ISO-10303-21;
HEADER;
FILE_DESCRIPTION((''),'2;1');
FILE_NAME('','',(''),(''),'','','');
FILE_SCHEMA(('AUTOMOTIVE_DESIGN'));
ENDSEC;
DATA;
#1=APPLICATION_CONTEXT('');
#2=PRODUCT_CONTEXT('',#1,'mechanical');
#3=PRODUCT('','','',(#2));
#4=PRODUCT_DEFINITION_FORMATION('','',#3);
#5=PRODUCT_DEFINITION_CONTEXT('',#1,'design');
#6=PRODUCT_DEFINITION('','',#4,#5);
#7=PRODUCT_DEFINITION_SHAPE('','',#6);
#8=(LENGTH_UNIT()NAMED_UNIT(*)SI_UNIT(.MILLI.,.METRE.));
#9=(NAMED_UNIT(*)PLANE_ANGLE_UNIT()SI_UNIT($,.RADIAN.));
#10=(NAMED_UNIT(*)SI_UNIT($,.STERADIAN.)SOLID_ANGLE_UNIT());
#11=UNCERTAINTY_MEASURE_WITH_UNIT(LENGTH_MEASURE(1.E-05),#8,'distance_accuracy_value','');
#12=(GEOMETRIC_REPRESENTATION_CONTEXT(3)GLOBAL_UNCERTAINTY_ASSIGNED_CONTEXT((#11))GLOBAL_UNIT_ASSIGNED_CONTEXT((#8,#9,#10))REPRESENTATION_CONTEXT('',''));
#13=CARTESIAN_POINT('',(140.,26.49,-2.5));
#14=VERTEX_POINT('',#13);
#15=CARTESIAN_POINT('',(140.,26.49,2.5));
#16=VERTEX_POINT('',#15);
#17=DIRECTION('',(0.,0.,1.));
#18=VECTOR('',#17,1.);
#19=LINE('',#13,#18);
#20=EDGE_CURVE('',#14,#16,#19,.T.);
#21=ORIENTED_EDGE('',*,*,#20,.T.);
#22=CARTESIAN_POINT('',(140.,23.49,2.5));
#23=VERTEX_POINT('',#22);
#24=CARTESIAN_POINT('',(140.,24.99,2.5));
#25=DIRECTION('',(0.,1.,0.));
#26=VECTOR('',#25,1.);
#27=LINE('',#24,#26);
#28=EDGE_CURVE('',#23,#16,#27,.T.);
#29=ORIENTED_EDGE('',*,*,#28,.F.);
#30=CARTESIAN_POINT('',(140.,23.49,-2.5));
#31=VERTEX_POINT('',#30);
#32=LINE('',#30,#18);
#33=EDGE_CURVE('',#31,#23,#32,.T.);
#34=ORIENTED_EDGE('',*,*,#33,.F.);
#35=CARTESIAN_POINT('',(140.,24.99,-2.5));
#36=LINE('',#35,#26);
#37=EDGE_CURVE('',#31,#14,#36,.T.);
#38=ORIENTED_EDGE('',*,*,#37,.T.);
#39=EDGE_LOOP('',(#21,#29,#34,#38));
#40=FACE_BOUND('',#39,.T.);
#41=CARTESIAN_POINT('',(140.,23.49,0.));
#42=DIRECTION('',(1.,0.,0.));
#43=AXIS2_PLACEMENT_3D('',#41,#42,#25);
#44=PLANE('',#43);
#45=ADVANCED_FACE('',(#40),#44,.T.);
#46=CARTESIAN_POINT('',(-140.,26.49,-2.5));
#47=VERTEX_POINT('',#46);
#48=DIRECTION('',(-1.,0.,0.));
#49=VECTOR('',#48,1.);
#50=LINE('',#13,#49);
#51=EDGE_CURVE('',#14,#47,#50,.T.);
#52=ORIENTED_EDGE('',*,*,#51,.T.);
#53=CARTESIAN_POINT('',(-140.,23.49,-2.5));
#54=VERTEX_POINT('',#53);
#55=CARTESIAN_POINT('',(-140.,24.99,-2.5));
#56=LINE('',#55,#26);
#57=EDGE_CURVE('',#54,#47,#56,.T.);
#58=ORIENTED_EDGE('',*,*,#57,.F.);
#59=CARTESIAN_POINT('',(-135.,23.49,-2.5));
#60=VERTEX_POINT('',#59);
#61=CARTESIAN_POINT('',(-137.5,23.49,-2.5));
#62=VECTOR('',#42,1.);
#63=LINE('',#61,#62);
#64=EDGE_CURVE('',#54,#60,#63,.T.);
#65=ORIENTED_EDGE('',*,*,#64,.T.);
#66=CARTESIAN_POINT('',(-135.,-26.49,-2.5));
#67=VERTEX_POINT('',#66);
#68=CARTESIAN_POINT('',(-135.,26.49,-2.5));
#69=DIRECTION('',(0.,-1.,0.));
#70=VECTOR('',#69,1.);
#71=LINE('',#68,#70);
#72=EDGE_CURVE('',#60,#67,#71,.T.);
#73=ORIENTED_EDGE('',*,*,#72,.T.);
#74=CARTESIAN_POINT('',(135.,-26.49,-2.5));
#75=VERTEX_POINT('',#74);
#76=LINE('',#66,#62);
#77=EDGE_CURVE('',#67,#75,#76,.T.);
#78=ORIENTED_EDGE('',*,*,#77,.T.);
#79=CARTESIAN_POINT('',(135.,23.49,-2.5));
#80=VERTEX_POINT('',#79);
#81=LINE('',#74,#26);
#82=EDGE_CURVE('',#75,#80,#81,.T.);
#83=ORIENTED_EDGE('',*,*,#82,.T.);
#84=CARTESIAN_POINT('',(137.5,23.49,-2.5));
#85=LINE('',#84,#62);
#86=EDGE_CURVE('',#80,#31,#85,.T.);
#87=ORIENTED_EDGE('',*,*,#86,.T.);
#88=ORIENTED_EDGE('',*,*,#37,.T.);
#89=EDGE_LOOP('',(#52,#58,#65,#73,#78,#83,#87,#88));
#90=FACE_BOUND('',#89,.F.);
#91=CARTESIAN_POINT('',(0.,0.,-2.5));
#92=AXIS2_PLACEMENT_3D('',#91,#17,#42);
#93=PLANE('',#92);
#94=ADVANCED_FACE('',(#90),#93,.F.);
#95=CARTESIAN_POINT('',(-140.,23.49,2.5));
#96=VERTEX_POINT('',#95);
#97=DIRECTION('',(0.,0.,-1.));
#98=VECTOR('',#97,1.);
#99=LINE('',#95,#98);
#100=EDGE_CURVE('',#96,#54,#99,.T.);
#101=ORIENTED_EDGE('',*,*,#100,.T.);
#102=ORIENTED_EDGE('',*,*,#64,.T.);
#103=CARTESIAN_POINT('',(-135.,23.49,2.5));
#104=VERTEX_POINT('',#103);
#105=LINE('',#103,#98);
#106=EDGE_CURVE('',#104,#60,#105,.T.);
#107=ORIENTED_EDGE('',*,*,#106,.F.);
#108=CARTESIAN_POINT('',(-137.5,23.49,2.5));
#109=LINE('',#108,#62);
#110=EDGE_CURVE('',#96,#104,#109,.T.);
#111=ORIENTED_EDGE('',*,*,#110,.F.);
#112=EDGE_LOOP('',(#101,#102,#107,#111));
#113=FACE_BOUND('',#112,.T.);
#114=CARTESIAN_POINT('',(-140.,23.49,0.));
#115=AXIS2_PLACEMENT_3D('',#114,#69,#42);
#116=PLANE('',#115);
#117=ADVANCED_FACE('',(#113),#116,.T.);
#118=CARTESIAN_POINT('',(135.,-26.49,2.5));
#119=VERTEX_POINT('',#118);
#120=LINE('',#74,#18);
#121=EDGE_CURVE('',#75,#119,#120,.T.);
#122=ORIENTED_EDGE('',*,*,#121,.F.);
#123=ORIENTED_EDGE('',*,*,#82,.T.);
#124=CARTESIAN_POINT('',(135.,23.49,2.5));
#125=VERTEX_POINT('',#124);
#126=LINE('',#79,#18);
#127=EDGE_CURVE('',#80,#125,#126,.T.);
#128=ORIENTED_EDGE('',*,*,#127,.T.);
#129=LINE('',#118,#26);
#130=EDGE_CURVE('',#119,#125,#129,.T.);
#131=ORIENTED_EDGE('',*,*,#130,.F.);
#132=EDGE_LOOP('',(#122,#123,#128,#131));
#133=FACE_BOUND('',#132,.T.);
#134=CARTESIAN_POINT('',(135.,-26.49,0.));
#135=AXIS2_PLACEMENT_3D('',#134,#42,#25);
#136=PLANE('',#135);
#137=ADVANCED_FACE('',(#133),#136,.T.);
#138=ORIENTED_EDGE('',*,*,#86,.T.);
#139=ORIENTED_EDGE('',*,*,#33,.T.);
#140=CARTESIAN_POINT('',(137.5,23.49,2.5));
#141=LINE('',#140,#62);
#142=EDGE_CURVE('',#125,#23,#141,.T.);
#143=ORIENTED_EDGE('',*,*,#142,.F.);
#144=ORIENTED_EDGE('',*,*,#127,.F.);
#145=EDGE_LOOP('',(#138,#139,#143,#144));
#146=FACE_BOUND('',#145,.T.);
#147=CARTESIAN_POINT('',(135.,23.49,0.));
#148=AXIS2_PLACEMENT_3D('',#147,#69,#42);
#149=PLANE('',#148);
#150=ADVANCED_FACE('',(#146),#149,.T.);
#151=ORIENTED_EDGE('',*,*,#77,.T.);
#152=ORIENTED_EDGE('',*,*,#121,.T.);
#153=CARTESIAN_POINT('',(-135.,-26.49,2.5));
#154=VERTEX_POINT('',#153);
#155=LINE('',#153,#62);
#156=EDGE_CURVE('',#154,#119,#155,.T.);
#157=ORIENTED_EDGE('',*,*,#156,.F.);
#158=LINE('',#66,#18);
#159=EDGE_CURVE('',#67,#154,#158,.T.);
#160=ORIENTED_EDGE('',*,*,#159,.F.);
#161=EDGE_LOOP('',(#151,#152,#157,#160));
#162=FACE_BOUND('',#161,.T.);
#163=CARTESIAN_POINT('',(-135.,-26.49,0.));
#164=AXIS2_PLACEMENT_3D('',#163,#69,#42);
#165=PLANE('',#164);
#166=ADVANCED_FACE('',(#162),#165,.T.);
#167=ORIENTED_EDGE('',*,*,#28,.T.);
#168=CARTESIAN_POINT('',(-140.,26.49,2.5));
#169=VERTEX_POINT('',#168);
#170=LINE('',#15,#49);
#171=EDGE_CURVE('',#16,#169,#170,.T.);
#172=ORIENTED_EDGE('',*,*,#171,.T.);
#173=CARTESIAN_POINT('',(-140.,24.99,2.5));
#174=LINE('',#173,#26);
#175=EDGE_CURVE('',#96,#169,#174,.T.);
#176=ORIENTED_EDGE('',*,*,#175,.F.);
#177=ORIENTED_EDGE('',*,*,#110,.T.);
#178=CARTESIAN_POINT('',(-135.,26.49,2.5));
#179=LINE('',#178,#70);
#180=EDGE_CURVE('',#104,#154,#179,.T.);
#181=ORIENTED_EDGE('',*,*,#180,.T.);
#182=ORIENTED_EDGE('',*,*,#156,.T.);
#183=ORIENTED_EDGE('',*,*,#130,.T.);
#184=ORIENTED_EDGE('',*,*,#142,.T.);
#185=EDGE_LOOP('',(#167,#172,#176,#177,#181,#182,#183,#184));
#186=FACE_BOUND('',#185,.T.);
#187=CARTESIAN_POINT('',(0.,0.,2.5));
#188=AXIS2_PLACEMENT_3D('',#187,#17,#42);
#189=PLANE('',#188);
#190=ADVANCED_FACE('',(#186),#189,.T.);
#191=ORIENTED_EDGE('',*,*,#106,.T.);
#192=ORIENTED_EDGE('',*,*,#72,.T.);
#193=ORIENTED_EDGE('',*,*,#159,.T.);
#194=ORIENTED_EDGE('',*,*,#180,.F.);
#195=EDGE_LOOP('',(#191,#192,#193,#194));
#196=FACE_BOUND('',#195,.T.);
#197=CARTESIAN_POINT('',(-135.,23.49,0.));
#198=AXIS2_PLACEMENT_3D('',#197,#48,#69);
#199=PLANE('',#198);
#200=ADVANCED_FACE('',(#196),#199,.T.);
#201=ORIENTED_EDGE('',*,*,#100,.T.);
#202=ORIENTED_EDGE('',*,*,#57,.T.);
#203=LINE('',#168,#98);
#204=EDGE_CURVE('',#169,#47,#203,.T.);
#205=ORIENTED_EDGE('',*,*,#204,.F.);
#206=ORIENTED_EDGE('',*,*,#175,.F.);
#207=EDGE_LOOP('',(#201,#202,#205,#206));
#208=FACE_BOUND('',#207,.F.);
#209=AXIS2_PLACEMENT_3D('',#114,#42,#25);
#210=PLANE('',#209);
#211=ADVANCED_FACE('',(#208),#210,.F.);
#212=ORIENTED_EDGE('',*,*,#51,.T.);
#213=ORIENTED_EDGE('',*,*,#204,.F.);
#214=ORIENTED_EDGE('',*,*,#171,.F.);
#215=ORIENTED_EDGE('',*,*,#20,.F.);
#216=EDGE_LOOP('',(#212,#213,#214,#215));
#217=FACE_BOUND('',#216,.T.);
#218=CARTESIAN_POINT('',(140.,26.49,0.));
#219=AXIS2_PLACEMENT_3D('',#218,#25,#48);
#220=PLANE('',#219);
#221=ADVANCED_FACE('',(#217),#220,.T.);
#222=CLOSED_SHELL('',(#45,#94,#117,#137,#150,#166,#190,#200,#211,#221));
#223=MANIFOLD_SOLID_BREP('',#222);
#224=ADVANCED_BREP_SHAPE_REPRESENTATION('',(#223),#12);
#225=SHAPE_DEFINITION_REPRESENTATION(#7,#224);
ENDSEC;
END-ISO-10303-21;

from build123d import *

# Parameters (mm, degrees)
F0_W     = 5
F0_H     = 3
F1_DEPTH = 2.5


with BuildPart() as f1:
    # F0 (on Top) → F1 (new body, symmetric)
    with BuildSketch(Plane.XY):
        Polygon((135, 26.49), (-135, 26.49), (-135, 23.49), (-135, -26.49), (135, -26.49), (135, 23.49), align=None)
        with Locations((137.5, 24.99)):
            Rectangle(F0_W, F0_H)
        with Locations((-137.5, 24.99)):
            Rectangle(F0_W, F0_H)
    extrude(amount=F1_DEPTH, both=True)


solid = f1.part
